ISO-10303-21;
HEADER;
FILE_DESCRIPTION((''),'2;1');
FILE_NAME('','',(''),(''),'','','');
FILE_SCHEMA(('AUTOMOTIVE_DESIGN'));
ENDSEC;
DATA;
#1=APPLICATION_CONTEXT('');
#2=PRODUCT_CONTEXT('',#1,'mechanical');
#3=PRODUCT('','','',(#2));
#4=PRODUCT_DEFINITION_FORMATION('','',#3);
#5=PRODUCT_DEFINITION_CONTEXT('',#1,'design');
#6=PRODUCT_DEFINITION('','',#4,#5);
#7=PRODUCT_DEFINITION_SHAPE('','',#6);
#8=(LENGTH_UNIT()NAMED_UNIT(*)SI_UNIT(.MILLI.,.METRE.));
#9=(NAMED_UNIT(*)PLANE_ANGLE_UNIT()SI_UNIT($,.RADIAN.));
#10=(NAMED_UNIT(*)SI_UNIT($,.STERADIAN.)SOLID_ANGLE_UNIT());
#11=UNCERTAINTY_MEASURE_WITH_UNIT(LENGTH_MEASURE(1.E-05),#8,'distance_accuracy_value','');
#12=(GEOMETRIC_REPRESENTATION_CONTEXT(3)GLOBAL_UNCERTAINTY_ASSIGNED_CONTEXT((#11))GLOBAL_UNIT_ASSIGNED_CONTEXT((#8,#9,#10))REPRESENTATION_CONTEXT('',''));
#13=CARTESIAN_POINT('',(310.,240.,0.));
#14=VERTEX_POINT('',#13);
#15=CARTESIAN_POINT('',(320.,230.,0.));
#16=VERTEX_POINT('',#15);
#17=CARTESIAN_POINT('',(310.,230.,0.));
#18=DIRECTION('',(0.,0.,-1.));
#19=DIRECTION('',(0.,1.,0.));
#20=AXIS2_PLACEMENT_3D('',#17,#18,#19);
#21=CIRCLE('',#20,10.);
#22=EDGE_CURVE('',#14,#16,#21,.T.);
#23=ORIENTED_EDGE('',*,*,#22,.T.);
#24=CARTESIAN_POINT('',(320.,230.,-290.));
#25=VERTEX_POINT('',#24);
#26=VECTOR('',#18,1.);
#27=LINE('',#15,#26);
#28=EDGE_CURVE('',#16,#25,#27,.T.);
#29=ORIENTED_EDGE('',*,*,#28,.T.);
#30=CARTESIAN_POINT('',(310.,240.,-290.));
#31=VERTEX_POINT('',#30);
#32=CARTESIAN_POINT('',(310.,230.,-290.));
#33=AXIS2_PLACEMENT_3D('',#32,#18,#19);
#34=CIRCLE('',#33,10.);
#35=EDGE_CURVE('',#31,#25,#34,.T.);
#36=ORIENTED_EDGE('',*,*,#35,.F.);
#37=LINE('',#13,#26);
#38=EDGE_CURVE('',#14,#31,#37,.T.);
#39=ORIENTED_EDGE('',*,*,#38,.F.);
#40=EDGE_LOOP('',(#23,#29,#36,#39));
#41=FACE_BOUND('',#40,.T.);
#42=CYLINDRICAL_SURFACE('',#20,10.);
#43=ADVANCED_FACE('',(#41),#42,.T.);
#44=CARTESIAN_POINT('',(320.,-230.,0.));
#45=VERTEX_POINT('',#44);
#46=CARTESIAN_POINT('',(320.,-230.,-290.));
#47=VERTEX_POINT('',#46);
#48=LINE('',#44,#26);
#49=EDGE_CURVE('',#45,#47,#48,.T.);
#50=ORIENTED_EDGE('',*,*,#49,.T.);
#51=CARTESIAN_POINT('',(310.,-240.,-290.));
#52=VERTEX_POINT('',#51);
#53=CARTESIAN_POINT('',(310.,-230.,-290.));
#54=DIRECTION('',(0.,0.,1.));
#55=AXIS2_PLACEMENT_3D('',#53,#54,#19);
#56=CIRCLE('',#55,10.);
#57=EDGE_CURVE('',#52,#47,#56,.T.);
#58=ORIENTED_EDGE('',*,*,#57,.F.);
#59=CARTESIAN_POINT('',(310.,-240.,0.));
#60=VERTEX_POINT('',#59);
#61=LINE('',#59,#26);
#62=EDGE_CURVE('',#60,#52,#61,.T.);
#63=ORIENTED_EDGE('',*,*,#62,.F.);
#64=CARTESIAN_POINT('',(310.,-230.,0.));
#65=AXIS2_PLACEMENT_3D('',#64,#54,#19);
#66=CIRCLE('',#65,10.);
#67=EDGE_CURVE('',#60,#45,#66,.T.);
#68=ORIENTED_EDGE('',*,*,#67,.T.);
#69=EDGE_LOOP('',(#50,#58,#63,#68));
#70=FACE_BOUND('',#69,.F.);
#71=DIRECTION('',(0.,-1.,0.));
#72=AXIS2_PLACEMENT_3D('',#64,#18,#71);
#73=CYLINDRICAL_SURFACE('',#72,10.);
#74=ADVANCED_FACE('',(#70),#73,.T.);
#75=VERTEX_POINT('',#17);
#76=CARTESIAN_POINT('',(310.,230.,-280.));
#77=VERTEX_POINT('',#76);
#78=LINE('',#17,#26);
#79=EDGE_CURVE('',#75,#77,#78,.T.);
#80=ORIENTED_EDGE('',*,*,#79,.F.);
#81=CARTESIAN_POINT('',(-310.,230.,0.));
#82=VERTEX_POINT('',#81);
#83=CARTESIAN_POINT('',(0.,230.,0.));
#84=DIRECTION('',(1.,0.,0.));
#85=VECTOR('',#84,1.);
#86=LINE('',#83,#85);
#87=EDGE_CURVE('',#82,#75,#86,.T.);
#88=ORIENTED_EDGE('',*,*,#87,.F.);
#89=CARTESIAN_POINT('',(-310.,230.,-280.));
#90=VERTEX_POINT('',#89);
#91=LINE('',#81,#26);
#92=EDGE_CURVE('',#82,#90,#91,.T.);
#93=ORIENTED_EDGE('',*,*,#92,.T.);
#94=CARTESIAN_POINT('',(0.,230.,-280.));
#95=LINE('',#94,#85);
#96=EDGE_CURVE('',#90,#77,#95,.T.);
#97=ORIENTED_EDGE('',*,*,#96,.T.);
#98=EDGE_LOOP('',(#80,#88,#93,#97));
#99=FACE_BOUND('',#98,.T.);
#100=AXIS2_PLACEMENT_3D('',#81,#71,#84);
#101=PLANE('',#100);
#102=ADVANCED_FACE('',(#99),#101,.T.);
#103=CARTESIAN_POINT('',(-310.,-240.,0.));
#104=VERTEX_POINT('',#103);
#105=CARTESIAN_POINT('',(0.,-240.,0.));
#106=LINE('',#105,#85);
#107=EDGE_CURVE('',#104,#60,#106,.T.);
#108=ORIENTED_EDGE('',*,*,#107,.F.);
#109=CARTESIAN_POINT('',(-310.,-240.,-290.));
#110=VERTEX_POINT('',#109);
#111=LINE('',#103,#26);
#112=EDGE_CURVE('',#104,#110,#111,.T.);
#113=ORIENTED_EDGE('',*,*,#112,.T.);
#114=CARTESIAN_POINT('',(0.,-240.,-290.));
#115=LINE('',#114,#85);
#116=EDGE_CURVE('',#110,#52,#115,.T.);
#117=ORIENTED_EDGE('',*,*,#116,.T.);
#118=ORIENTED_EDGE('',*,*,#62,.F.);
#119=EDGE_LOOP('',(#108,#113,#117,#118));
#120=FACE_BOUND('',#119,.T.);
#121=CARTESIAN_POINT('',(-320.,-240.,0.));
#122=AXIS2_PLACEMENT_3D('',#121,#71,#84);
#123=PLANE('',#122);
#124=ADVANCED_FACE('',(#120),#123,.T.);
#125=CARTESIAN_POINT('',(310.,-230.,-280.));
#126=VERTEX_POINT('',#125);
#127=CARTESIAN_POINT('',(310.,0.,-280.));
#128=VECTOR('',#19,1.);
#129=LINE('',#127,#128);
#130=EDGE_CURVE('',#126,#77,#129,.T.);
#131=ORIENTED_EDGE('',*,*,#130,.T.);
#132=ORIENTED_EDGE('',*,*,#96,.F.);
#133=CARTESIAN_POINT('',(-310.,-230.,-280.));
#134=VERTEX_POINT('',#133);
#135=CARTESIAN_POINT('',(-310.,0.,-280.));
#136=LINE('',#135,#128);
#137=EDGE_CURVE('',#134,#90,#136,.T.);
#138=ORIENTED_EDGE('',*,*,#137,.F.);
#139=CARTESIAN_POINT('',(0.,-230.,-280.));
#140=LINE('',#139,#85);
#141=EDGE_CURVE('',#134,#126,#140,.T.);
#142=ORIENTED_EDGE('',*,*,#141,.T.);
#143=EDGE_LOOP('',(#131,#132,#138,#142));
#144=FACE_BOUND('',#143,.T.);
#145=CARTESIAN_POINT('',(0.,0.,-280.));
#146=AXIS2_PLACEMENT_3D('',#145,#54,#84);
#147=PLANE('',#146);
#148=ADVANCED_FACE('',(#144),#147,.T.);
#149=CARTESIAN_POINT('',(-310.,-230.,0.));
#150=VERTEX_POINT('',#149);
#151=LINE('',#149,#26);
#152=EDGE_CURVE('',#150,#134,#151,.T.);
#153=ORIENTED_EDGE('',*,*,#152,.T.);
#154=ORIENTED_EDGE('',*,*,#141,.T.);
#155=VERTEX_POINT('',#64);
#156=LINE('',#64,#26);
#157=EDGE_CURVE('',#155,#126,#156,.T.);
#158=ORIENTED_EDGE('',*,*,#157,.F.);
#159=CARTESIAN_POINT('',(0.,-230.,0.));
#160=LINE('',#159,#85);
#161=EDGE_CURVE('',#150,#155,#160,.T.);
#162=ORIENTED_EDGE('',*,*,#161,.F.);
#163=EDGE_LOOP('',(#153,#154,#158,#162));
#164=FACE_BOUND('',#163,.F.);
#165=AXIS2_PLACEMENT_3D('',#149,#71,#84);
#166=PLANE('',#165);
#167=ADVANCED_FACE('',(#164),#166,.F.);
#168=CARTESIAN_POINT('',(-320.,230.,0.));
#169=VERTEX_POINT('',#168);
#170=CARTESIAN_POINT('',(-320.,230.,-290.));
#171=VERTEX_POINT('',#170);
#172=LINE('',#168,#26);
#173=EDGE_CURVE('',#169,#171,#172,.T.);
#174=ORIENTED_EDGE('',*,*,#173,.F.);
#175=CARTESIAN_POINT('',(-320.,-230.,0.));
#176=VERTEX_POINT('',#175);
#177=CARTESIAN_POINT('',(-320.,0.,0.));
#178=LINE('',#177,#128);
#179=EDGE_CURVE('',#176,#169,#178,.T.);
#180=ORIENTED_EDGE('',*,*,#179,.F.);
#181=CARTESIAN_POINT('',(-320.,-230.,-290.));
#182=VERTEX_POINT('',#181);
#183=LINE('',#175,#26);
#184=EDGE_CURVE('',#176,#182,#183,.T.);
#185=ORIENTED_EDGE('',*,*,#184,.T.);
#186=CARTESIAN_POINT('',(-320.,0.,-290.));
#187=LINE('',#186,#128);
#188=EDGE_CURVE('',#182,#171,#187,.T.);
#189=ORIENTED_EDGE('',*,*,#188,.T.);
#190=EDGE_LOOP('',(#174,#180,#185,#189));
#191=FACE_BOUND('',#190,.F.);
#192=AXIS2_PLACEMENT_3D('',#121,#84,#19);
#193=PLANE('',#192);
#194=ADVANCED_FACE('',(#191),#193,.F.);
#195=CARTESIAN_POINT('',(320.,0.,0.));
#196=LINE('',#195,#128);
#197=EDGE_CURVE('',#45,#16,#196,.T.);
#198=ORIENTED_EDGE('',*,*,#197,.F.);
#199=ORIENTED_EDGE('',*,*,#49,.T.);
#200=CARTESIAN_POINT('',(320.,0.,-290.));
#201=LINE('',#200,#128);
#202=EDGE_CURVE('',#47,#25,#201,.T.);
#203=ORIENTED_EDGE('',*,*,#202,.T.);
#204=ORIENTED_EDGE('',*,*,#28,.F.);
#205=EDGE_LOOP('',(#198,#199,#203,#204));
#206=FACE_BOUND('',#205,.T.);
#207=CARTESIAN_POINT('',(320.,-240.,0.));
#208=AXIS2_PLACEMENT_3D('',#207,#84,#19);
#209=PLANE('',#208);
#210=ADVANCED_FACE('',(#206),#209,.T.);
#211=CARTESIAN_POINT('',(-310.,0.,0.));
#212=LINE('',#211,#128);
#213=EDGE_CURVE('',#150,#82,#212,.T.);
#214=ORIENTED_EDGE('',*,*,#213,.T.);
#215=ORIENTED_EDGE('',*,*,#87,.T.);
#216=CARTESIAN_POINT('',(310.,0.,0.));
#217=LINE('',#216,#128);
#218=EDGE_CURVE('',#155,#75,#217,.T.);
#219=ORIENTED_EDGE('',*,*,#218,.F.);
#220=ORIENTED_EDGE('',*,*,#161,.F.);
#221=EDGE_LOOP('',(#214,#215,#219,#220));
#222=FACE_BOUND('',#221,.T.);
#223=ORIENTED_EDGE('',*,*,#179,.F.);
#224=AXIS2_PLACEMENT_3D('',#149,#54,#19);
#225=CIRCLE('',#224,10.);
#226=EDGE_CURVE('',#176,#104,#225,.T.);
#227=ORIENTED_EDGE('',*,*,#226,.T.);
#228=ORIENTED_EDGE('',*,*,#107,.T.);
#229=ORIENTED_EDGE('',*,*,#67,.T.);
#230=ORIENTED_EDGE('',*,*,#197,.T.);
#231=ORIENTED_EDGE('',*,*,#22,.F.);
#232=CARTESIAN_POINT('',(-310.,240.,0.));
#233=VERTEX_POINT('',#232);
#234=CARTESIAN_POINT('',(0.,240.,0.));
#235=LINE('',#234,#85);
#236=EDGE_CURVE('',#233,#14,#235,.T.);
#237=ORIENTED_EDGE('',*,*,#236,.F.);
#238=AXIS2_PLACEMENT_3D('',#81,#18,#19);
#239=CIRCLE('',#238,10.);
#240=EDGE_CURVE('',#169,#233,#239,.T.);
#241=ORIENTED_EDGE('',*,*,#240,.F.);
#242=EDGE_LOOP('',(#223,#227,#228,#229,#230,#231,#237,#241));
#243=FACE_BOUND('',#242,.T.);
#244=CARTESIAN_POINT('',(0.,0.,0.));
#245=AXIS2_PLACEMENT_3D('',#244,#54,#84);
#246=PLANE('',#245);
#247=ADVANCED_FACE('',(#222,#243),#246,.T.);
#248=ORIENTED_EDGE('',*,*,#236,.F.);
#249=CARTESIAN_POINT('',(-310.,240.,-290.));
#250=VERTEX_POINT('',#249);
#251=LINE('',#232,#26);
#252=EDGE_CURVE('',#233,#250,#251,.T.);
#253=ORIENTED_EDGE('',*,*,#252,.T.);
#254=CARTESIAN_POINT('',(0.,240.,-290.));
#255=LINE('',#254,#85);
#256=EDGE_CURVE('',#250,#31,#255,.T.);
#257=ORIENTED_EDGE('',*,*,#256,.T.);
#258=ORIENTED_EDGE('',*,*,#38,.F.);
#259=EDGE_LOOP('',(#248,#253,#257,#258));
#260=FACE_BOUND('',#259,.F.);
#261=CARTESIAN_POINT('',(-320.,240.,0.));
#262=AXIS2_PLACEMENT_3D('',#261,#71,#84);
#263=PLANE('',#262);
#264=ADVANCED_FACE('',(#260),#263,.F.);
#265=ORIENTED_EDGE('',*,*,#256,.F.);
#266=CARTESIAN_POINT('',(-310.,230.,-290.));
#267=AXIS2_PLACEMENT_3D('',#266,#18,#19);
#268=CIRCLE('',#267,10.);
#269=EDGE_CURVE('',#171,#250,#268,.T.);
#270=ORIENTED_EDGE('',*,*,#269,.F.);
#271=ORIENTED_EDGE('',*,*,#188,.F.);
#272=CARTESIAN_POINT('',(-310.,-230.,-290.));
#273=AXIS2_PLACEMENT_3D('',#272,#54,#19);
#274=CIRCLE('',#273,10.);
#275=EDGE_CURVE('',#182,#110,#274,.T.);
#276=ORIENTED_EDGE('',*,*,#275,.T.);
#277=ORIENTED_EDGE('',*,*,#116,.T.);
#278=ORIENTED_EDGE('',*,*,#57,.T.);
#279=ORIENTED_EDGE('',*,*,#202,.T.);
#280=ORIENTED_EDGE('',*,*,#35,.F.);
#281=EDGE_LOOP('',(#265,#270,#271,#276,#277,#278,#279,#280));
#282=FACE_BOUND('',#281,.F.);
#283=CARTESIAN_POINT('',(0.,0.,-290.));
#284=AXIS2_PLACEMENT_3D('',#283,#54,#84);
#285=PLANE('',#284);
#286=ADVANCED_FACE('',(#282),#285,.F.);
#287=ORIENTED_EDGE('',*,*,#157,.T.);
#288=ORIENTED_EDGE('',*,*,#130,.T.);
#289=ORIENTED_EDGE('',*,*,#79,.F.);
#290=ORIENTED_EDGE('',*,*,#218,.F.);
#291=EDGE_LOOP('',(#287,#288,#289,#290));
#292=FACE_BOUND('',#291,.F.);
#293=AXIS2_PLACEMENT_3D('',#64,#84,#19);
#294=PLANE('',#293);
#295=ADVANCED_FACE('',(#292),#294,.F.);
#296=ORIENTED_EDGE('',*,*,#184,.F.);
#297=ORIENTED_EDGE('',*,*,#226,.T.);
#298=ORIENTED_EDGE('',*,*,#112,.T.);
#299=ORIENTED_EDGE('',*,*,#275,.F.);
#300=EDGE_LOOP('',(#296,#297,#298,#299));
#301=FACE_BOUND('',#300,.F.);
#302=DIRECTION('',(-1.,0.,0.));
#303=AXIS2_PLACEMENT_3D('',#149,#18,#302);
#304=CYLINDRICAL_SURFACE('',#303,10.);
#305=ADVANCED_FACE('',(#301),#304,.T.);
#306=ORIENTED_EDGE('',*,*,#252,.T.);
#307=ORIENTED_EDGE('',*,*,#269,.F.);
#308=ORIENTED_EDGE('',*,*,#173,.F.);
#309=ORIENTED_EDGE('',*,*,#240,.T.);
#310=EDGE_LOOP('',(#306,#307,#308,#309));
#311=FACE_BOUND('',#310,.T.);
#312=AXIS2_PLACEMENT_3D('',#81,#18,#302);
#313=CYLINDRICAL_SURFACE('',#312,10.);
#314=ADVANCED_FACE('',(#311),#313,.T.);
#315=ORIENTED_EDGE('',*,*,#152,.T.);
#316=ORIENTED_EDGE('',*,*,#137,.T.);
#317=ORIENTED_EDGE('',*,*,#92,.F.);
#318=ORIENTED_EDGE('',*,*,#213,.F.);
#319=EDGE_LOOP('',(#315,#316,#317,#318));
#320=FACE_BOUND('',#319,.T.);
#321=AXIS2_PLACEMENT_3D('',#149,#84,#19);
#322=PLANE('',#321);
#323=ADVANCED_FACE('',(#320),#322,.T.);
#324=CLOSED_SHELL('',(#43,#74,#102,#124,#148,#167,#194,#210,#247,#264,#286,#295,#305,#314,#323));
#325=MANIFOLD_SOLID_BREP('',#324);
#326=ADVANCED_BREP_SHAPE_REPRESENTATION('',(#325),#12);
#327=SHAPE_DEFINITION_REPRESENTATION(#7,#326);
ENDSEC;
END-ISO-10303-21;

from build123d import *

# Parameters (mm, degrees)
F0_W     = 640
F0_H     = 480
F0_W_2   = 620
F0_H_2   = 460
F1_DEPTH = 290
F2_DEPTH = 280
F3_R     = 10


with BuildPart() as f1:
    # F0 (on Top) → F1 (new body)
    with BuildSketch(Plane.XY):
        Rectangle(F0_W, F0_H)
        Rectangle(F0_W_2, F0_H_2, mode=Mode.SUBTRACT)
        Rectangle(F0_W_2, F0_H_2)
    extrude(amount=-F1_DEPTH)

    # F0 (on Top) → F2 (cut)
    with BuildSketch(Plane.XY):
        Rectangle(F0_W_2, F0_H_2)
    extrude(amount=-F2_DEPTH, mode=Mode.SUBTRACT)

    # F3
    f3_edges = [f1.edges().sort_by_distance(p)[0] for p in [
        (-320, -240, -145),
        (320, -240, -145),
        (320, 240, -145),
        (-320, 240, -145),
    ]]
    fillet(f3_edges, radius=F3_R)


solid = f1.part
